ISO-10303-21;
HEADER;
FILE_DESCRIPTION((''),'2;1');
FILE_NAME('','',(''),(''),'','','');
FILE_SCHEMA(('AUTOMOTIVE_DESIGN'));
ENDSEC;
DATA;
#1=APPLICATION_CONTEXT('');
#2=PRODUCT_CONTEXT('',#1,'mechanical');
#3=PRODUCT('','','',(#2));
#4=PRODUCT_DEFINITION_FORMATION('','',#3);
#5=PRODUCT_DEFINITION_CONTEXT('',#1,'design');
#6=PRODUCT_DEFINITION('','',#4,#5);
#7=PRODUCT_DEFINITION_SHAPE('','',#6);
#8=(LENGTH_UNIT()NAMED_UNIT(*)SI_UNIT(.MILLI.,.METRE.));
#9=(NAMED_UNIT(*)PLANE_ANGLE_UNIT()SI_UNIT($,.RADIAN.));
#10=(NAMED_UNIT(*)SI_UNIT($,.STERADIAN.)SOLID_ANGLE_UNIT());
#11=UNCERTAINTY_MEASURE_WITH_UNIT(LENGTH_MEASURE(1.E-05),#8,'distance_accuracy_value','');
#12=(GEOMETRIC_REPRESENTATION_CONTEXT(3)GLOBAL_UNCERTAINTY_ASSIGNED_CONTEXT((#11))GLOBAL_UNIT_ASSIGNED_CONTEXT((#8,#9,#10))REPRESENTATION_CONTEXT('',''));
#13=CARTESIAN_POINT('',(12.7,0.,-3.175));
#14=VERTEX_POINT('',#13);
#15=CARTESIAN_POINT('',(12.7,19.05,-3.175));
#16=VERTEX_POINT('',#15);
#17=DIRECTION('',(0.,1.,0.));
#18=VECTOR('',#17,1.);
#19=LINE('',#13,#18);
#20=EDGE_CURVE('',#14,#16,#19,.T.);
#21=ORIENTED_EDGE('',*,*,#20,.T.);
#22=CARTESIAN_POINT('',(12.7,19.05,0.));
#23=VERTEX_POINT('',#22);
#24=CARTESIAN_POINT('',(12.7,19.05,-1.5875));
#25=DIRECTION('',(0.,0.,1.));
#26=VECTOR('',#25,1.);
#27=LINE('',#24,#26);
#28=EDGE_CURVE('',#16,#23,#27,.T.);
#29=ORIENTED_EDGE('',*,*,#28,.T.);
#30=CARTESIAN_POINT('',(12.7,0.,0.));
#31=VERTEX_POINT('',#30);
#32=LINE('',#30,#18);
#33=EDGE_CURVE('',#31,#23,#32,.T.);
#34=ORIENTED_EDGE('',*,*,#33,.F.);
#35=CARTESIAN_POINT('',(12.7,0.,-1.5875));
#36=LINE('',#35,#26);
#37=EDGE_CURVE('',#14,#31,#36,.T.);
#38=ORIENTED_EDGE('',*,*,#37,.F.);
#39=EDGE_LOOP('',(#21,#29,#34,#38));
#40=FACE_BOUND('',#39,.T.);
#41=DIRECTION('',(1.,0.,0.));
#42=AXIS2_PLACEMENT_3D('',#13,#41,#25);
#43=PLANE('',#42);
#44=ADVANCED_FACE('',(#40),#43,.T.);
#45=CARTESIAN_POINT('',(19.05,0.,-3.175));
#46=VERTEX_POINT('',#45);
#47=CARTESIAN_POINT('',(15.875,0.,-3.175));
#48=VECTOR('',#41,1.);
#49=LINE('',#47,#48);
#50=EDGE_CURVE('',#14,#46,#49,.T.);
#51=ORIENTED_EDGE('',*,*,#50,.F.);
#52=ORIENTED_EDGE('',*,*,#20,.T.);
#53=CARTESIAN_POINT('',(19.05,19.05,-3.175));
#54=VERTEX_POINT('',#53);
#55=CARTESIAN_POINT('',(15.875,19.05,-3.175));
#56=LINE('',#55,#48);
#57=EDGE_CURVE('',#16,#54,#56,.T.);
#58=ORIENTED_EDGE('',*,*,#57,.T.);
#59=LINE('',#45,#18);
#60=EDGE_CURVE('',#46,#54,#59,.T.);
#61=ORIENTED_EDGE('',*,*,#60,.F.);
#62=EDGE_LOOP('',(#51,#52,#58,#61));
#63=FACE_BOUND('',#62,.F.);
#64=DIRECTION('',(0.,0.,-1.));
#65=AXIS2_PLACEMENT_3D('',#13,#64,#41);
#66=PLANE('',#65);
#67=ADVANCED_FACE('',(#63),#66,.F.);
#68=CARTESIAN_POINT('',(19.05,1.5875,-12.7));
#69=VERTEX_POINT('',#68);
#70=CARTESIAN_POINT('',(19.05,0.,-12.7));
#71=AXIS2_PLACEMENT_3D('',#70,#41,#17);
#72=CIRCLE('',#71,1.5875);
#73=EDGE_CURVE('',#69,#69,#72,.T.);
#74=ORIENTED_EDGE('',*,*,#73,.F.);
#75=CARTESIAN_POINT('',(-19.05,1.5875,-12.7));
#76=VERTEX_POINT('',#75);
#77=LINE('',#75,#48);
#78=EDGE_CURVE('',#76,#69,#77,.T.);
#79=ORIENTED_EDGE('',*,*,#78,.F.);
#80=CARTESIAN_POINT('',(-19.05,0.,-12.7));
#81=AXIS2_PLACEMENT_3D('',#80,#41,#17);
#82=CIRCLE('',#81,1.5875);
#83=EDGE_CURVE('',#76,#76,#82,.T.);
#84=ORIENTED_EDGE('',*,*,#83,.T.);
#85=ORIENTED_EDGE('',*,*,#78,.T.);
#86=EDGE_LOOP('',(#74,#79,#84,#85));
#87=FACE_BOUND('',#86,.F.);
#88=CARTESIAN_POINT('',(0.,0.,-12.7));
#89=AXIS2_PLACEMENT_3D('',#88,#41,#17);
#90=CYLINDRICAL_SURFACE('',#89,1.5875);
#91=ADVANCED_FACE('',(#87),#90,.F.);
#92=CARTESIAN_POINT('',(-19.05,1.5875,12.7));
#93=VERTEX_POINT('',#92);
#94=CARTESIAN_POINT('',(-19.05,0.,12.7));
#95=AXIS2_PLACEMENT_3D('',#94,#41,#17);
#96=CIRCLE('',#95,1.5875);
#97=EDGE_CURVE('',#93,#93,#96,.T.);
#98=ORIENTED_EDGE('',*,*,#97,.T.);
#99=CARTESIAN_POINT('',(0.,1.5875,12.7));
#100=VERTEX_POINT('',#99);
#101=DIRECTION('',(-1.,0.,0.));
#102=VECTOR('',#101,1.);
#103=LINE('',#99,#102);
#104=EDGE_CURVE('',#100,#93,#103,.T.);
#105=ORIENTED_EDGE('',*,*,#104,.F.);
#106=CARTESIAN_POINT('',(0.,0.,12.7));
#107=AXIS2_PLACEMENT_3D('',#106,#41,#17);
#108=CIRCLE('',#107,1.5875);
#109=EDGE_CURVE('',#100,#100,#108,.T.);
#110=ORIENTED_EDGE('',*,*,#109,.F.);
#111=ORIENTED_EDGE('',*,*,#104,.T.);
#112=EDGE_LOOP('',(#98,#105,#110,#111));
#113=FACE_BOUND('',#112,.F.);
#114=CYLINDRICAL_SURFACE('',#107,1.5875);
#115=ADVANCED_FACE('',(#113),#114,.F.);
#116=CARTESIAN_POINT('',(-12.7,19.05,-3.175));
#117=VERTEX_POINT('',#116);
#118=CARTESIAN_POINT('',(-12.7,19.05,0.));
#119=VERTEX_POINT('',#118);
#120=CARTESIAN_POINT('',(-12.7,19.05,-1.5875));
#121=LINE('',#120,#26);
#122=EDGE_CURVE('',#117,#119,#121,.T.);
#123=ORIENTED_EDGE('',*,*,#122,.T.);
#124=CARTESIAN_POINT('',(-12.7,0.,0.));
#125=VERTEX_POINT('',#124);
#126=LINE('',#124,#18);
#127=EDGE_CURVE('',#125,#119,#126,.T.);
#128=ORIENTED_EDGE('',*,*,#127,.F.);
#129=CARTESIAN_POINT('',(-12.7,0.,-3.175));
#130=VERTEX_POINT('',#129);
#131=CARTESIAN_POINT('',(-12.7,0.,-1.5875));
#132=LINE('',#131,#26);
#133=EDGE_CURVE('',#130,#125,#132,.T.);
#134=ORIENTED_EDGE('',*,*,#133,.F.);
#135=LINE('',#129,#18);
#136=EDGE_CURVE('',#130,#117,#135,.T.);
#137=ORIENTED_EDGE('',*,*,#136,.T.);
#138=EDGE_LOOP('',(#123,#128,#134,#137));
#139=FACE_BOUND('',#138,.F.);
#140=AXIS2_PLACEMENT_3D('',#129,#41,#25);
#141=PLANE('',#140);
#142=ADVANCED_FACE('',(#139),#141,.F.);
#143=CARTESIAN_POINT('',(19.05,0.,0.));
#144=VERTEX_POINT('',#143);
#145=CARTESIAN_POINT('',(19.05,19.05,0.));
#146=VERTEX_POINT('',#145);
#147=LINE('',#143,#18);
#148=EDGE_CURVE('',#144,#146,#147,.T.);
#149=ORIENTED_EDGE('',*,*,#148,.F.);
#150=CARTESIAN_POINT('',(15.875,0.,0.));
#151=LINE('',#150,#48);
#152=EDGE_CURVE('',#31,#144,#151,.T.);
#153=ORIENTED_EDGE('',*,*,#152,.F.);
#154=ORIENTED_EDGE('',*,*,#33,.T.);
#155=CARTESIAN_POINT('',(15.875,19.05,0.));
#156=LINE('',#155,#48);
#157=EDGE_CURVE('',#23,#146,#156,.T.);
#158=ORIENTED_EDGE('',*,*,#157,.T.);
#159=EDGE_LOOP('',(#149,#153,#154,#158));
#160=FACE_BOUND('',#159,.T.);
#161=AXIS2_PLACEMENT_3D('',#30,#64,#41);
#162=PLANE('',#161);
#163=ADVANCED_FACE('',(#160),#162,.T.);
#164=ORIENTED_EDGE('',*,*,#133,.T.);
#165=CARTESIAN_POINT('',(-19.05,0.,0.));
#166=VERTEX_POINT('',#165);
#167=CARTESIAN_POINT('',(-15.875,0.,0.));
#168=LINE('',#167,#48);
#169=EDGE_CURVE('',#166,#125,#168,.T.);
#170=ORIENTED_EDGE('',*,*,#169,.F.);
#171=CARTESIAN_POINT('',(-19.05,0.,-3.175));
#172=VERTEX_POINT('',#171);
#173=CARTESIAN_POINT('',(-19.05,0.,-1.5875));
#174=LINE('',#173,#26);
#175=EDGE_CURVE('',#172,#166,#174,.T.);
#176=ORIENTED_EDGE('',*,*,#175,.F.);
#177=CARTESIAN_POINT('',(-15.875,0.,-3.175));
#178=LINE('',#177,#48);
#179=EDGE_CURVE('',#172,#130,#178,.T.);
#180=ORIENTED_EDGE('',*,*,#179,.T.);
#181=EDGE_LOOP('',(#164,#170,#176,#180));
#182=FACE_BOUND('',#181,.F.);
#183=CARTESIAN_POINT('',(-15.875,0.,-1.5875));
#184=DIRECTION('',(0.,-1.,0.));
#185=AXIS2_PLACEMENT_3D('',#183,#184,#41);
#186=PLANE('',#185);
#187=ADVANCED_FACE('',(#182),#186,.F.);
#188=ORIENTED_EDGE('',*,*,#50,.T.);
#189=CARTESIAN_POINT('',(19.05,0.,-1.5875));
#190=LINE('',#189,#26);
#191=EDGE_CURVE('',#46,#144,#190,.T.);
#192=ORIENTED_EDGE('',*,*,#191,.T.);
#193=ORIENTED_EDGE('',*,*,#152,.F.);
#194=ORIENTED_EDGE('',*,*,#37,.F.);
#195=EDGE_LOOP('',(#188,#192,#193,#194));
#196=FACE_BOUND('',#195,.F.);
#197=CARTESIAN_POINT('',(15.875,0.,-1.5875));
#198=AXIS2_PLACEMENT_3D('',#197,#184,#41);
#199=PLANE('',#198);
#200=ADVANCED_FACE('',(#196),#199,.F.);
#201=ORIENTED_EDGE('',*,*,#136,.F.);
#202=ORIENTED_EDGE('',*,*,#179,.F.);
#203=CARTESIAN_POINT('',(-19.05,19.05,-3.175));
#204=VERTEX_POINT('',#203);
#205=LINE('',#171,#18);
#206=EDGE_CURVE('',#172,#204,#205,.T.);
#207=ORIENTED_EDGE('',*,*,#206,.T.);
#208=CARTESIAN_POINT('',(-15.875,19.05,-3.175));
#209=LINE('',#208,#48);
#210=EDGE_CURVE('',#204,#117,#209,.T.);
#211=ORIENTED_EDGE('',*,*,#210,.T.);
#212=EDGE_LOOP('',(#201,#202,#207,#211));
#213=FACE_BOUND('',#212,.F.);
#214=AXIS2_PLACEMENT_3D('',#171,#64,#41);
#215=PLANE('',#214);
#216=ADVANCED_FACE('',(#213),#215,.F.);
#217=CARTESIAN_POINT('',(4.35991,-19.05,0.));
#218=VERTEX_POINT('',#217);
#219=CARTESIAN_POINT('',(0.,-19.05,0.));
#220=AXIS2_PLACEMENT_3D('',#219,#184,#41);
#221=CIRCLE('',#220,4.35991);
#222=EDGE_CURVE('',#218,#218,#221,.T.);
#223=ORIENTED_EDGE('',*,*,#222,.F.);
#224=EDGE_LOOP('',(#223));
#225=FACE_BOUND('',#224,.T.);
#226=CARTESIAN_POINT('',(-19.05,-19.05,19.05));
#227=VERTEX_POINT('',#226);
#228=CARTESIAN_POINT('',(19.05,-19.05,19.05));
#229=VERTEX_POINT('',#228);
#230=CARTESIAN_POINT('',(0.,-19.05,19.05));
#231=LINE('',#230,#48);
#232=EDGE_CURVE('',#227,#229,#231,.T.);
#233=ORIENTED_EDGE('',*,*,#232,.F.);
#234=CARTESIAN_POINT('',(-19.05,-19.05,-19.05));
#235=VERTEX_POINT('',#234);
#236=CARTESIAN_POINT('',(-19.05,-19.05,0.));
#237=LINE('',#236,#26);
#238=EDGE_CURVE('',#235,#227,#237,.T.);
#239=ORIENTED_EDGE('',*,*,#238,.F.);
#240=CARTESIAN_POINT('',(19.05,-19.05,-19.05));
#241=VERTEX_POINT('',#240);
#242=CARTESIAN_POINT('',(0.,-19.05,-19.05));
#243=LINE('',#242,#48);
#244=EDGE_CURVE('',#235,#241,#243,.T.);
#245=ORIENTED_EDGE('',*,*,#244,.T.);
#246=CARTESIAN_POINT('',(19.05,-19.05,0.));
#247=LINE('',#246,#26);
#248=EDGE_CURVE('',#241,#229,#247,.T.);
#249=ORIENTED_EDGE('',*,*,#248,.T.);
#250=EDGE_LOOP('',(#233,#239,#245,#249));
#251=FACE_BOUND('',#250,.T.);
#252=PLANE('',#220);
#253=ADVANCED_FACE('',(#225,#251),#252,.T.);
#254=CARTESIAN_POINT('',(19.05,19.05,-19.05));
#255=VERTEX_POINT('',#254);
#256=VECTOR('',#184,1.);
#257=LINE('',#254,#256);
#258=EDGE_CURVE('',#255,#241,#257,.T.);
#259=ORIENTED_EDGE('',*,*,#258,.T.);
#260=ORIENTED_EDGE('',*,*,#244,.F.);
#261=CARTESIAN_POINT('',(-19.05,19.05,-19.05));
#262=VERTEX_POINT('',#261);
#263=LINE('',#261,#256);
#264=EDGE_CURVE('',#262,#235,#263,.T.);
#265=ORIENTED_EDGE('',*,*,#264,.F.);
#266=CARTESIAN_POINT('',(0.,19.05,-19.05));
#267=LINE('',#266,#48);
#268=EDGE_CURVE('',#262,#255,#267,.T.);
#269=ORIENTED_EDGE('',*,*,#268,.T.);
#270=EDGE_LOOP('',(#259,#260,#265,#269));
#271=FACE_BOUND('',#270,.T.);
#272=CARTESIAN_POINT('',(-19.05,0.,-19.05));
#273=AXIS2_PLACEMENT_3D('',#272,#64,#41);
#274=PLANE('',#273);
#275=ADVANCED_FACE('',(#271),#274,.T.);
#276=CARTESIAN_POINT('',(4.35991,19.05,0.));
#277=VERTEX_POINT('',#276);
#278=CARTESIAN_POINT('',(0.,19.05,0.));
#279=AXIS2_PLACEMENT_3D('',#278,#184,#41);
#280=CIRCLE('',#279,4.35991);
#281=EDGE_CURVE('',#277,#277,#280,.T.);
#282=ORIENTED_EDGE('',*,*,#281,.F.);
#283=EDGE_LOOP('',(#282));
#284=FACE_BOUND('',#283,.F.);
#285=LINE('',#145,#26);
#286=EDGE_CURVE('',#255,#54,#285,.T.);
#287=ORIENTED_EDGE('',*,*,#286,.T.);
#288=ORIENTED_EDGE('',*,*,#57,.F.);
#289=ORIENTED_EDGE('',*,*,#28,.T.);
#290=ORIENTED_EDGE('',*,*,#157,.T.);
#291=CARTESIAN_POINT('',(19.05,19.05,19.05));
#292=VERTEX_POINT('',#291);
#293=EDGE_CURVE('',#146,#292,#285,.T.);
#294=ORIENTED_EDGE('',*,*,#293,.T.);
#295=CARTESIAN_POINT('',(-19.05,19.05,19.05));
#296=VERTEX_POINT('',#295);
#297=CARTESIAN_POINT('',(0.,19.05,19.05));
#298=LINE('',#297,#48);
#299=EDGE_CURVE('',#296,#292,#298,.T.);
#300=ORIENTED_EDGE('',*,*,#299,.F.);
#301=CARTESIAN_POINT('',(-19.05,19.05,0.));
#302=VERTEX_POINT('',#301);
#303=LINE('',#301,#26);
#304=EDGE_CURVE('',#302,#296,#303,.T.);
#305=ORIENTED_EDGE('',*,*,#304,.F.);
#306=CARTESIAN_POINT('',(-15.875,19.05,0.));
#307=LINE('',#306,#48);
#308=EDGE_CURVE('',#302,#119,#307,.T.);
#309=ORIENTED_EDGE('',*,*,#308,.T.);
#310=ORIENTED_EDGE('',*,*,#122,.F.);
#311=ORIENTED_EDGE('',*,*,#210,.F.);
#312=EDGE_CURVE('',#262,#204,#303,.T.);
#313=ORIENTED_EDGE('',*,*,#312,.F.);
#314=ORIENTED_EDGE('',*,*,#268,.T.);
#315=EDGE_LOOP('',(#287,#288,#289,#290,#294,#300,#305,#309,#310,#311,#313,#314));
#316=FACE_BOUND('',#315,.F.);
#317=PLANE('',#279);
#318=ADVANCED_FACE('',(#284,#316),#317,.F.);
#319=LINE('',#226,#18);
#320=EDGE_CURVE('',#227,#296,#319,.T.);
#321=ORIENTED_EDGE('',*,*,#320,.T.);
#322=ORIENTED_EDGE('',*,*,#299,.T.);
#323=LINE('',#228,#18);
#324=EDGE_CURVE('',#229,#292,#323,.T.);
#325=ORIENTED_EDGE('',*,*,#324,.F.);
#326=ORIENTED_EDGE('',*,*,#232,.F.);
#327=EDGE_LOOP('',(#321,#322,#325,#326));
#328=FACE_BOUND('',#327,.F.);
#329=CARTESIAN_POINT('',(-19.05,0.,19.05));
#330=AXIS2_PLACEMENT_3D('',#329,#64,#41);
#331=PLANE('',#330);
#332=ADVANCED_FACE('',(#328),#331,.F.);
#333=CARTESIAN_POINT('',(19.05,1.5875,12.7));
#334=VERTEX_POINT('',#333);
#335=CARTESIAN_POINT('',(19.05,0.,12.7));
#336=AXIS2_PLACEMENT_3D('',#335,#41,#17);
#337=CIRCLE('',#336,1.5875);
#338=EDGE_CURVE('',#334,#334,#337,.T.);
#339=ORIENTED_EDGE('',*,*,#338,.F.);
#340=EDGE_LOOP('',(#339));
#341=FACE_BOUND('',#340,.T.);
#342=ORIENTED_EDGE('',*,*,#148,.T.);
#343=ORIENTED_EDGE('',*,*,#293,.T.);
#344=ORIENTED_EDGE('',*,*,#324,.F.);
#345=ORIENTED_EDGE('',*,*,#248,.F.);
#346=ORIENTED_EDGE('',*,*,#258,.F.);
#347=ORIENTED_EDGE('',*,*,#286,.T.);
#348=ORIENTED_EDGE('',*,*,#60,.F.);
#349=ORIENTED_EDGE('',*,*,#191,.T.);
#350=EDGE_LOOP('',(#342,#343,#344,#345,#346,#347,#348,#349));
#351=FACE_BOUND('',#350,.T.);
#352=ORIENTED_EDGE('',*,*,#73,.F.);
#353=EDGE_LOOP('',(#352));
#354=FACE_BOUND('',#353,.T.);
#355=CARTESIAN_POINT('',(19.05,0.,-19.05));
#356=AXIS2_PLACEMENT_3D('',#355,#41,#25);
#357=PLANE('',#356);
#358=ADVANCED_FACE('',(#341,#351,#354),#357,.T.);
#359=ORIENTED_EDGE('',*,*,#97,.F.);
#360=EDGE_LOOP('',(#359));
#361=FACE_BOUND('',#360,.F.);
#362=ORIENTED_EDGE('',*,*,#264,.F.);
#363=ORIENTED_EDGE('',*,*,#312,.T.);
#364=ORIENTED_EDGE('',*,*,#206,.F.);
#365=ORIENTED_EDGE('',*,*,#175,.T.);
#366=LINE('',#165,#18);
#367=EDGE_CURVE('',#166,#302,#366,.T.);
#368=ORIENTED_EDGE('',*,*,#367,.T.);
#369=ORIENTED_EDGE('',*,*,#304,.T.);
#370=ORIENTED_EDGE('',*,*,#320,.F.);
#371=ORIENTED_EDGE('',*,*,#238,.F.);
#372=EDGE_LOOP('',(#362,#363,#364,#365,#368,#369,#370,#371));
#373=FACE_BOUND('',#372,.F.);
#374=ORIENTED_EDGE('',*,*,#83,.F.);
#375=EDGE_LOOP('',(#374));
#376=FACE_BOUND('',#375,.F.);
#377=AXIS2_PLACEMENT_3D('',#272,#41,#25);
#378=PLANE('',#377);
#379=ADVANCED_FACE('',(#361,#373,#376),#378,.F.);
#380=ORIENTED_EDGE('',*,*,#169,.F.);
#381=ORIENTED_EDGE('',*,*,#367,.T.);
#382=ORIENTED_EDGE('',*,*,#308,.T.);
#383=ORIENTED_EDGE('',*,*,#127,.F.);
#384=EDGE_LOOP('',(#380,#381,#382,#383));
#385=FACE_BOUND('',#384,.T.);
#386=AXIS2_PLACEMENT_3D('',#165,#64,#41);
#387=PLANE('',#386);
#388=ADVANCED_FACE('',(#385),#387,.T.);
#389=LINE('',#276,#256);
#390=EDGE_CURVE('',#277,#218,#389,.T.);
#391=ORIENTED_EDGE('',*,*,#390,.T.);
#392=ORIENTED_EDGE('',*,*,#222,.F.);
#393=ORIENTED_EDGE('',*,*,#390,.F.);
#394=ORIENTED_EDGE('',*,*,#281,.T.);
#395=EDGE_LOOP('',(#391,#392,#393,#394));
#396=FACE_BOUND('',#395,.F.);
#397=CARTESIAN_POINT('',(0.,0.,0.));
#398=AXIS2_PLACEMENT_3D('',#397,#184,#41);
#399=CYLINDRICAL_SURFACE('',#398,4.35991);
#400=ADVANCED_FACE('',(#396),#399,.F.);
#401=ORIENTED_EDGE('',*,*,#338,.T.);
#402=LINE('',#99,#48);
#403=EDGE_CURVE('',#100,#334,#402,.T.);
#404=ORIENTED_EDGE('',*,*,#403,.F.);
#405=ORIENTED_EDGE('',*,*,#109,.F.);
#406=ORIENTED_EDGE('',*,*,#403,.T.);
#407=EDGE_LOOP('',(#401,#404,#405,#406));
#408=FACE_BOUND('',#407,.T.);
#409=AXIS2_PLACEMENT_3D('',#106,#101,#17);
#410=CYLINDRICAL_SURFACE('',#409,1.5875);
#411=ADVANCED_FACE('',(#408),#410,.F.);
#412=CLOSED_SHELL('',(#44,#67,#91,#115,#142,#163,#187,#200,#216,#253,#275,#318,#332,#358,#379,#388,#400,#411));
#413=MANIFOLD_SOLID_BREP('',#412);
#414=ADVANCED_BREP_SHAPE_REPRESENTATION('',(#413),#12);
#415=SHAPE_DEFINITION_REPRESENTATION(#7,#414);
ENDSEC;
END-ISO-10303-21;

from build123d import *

# Parameters (mm, degrees)
F0_W     = 38.1
F0_H     = 38.1
F6_DEPTH = 19.05
F1_R     = 4.35991
F7_DEPTH = 19.05
F2_W     = 6.35
F2_H     = 3.175
F3_W     = 6.35
F3_H     = 3.175
F8_DEPTH = 19.05
F4_R     = 1.5875
F5_R     = 1.5875
F9_DEPTH = 19.05


with BuildPart() as f6:
    # F0 (on Front) → F6 (new body, symmetric)
    with BuildSketch(Plane.XZ):
        Rectangle(F0_W, F0_H)
    extrude(amount=F6_DEPTH, both=True)

    # F1 (on Front) → F7 (cut, symmetric)
    with BuildSketch(Plane.XZ):
        Circle(F1_R)
    extrude(amount=F7_DEPTH, both=True, mode=Mode.SUBTRACT)

    # F2 (on Front) + F3 (on Front) → F8 (cut, through all)
    with BuildSketch(Plane.XZ):
        with Locations((-15.875, -1.5875)):
            Rectangle(F2_W, F2_H)
    with BuildSketch(Plane.XZ):
        with Locations((15.875, -1.5875)):
            Rectangle(F3_W, F3_H)
    extrude(amount=-F8_DEPTH, mode=Mode.SUBTRACT)

    # F4 (on Right) + F5 (on Right) → F9 (cut, symmetric)
    with BuildSketch(Plane.YZ):
        with Locations((0, 12.7)):
            Circle(F4_R)
    with BuildSketch(Plane.YZ):
        with Locations((0, -12.7)):
            Circle(F5_R)
    extrude(amount=F9_DEPTH, both=True, mode=Mode.SUBTRACT)


solid = f6.part
